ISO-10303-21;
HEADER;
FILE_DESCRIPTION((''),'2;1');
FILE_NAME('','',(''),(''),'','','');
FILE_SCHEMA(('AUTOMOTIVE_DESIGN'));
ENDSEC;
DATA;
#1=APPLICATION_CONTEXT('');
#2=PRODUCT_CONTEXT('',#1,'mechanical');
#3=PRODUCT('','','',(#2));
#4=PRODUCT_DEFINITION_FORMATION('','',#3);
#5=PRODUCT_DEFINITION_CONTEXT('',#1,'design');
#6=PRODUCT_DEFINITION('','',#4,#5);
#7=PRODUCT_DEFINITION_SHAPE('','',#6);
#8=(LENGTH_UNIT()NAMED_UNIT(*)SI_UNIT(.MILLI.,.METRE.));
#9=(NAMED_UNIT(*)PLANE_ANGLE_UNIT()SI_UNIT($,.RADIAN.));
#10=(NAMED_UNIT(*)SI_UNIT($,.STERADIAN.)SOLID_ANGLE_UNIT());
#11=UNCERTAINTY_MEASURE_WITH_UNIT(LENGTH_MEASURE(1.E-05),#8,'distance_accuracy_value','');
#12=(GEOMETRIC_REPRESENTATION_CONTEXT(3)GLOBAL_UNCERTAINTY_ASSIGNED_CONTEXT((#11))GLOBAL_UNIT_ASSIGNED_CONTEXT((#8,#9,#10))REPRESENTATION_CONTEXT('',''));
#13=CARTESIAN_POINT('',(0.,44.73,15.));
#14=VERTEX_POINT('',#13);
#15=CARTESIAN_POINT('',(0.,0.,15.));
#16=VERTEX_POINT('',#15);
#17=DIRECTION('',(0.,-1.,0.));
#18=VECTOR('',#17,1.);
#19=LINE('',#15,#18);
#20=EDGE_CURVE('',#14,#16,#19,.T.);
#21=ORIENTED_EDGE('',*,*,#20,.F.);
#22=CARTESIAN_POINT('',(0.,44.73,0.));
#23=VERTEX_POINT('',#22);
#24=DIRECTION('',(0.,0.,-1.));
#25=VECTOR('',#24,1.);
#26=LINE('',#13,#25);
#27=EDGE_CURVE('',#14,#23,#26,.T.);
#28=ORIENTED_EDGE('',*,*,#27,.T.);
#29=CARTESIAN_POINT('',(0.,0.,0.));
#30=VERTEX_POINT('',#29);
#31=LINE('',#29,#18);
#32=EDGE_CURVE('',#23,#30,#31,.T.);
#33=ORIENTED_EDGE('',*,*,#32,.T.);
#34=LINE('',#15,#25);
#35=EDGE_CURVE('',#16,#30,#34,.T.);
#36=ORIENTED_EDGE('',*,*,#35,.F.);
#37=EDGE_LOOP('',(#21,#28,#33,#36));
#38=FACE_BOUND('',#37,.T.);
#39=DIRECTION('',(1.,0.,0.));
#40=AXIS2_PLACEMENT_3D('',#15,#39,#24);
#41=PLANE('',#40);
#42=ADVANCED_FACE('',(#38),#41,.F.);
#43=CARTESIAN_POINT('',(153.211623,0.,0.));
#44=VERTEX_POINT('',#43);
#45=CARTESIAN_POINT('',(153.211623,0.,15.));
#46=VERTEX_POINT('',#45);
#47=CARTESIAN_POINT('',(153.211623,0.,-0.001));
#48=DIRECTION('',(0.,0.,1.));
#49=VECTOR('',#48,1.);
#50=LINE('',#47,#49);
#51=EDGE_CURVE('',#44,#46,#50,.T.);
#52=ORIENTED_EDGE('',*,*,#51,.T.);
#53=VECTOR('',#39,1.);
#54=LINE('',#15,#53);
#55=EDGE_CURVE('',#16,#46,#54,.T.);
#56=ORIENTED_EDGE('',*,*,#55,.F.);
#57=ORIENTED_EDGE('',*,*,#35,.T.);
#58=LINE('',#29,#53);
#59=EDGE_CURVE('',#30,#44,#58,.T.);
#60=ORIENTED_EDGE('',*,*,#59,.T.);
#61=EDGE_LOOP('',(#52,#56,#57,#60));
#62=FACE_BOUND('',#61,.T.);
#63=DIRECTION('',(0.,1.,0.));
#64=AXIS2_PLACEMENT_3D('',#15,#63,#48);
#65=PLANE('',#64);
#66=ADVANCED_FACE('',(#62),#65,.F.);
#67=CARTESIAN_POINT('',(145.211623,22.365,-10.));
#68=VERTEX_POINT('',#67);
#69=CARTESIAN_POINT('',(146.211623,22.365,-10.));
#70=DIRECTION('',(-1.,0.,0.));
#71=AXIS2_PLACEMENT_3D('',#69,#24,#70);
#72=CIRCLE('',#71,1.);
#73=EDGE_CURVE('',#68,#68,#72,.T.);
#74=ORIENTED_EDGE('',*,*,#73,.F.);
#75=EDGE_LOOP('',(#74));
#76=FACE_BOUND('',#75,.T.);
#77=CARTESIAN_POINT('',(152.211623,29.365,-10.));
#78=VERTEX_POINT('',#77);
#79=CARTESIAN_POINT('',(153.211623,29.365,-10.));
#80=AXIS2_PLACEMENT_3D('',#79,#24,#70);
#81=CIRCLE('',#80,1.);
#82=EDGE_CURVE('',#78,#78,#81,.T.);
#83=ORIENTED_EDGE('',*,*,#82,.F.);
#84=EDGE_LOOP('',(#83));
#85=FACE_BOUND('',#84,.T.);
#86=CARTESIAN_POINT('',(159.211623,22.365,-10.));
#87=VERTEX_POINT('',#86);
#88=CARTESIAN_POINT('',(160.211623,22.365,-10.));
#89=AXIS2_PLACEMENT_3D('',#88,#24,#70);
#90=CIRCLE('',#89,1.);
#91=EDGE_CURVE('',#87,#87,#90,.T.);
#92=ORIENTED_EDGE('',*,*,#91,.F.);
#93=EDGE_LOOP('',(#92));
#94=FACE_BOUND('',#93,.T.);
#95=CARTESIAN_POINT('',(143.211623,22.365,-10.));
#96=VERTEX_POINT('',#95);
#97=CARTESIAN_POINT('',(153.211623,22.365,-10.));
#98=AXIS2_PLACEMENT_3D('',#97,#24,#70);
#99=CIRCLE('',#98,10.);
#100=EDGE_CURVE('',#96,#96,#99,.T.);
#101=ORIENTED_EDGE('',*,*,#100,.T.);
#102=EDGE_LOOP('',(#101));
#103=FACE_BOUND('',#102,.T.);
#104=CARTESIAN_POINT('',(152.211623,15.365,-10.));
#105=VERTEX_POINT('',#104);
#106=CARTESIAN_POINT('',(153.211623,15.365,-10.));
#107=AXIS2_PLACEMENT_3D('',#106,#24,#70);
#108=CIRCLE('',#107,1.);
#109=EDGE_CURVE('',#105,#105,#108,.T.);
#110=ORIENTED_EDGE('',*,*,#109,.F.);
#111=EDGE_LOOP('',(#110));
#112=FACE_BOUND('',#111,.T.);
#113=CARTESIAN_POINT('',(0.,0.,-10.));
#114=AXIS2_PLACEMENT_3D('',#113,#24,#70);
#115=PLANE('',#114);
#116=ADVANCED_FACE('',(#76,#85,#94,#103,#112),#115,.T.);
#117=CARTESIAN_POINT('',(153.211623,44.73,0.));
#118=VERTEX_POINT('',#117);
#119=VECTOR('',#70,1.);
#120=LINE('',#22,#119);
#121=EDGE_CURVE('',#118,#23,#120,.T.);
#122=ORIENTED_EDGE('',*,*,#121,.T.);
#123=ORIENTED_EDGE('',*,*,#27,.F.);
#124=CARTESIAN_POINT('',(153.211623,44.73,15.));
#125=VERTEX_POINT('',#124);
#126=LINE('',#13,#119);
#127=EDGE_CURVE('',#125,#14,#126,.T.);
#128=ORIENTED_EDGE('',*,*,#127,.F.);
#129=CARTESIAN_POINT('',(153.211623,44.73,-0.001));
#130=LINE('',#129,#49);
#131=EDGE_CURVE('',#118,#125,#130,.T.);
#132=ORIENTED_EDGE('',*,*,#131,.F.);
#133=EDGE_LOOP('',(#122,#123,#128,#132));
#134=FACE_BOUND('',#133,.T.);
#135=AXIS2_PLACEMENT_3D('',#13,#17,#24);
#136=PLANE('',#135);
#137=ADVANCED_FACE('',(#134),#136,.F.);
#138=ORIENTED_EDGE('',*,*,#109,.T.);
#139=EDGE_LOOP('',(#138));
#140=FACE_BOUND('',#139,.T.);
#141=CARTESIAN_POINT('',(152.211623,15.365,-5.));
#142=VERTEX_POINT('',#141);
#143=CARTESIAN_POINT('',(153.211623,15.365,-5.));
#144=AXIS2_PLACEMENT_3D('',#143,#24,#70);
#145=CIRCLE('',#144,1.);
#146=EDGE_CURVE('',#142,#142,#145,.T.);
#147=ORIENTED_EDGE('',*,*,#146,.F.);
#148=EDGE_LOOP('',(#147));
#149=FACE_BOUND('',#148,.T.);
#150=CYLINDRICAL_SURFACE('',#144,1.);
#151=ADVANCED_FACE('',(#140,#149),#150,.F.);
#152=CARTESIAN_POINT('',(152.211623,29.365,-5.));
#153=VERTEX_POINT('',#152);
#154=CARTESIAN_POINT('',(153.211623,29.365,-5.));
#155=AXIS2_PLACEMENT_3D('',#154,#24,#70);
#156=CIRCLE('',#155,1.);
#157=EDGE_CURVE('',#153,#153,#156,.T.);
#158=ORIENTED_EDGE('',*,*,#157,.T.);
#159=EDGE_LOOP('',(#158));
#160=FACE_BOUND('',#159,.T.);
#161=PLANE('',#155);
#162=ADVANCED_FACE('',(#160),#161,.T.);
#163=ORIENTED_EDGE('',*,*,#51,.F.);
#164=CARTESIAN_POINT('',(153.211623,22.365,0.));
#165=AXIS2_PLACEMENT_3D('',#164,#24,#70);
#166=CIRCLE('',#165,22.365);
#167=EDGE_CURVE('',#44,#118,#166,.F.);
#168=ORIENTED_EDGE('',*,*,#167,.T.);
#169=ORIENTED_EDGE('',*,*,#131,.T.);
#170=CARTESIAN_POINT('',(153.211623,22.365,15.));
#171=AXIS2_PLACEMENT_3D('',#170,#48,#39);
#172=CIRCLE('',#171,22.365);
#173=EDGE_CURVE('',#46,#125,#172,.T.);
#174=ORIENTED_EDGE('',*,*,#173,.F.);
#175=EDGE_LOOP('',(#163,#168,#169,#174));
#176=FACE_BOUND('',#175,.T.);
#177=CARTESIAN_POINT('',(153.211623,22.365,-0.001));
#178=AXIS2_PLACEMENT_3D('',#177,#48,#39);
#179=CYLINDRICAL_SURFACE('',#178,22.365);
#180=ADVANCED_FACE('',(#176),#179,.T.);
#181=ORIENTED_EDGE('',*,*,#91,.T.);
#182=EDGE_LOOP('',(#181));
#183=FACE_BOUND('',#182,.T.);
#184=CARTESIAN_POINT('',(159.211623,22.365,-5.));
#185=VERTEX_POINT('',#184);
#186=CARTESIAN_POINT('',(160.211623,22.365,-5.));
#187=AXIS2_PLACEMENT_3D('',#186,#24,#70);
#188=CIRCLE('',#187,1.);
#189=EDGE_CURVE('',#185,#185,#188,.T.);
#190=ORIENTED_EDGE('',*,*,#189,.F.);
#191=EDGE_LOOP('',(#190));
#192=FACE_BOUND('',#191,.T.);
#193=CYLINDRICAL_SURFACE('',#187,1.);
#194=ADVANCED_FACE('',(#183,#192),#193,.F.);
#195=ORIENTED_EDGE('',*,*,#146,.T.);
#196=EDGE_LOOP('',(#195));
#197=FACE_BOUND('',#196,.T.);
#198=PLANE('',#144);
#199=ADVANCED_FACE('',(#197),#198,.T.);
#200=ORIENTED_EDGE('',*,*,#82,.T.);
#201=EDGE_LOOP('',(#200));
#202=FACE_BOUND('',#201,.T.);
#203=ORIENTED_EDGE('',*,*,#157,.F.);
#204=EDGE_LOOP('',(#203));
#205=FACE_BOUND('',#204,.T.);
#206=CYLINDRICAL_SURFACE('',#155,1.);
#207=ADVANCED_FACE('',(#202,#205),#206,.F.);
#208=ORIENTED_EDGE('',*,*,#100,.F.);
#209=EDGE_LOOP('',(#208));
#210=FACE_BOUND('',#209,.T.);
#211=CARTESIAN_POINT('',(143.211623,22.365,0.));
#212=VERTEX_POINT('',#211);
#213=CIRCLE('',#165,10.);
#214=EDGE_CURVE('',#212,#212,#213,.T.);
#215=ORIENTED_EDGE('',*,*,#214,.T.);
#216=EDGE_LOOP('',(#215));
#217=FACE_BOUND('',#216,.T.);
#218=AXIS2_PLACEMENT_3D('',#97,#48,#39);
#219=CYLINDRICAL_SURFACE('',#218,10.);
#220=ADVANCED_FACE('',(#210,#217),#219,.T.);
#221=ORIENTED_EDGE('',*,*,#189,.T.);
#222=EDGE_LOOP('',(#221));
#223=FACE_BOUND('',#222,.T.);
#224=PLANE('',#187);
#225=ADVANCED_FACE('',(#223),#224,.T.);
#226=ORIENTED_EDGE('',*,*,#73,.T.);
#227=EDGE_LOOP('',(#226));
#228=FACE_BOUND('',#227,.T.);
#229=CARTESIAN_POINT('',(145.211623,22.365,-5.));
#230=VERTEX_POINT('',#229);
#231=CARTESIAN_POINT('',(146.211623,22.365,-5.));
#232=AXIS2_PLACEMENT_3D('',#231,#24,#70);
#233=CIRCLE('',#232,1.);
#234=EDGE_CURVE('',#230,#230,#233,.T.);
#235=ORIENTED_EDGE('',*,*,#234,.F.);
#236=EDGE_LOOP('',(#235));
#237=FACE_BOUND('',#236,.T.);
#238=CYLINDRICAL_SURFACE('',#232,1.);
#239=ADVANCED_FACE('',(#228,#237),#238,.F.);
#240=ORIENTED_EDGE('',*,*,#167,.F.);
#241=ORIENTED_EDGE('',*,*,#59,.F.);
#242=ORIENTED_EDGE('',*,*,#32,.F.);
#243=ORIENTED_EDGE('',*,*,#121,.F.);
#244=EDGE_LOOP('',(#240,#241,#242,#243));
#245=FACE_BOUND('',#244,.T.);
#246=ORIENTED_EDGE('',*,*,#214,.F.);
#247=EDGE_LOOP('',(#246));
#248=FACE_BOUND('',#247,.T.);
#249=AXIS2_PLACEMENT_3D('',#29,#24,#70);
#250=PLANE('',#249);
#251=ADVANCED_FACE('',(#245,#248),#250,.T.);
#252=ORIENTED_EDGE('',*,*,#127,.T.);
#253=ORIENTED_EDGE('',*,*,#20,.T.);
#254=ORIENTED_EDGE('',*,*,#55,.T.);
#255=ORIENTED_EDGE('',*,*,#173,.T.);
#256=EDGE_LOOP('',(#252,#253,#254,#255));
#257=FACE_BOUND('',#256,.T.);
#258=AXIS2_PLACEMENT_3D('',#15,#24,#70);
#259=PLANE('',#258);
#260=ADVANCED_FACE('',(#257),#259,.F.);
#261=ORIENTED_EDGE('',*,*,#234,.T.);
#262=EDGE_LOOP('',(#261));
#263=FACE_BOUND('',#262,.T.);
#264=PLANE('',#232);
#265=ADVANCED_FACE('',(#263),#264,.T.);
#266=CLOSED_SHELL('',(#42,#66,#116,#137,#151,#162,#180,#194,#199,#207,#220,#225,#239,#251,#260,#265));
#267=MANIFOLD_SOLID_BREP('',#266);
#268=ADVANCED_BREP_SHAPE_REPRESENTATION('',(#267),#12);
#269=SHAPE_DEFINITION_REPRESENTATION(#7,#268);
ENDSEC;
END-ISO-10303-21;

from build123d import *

# Parameters (mm, degrees)
SKETCH_1_W          = 300
SKETCH_1_H          = 44.73
EXTRUDE_1_DEPTH     = 15
CUT_EXTRUDE_4_REACH = 305.687
SKETCH_6_R          = 10
EXTRUDE_2_DEPTH     = 10
SKETCH_7_R          = 1
CUT_EXTRUDE_6_DEPTH = 5


with BuildPart() as part:
    # 草图1 → 凸台-拉伸1 (new body)
    with BuildSketch(Plane.XY):
        with Locations((150, 22.365)):
            Rectangle(SKETCH_1_W, SKETCH_1_H)
    extrude(amount=EXTRUDE_1_DEPTH)

    # 草图4 → 切除-拉伸4 (cut, up to next)
    with BuildSketch(Plane.XY.offset(15), mode=Mode.PRIVATE) as cut_extrude_4_sk1:
        with BuildLine():
            Line((300, 44.73), (153.211623388, 44.73))
            ThreePointArc((153.211623388, 44.73), (175.576623388, 22.365), (153.211623388, 0))
            Line((153.211623388, 0), (300, 0))
            Line((300, 0), (300, 44.73))
        make_face()
    cut_extrude_4_tool1 = extrude(cut_extrude_4_sk1.sketch, amount=-CUT_EXTRUDE_4_REACH, mode=Mode.PRIVATE) & part.part
    add(cut_extrude_4_tool1.solids().sort_by_distance((235.292113, 22.365, 15))[0], mode=Mode.SUBTRACT)

    # 草图6 → 凸台-拉伸2 (add)
    with BuildSketch(Plane(origin=(0, 0, 0), x_dir=(-1, 0, 0), z_dir=(0, 0, -1))):
        with Locations((-153.211623388, 22.365)):
            Circle(SKETCH_6_R)
    extrude(amount=EXTRUDE_2_DEPTH)

    # 草图7 → 切除-拉伸6 (cut)
    with BuildSketch(Plane(origin=(0, 0, -10), x_dir=(-1, 0, 0), z_dir=(0, 0, -1))):
        with Locations((-153.211623388, 29.365)):
            Circle(SKETCH_7_R)
        with Locations((-146.211623388, 22.365)):
            Circle(SKETCH_7_R)
        with Locations((-153.211623388, 15.365)):
            Circle(SKETCH_7_R)
        with Locations((-160.211623388, 22.365)):
            Circle(SKETCH_7_R)
    extrude(amount=-CUT_EXTRUDE_6_DEPTH, mode=Mode.SUBTRACT)


solid = part.part
